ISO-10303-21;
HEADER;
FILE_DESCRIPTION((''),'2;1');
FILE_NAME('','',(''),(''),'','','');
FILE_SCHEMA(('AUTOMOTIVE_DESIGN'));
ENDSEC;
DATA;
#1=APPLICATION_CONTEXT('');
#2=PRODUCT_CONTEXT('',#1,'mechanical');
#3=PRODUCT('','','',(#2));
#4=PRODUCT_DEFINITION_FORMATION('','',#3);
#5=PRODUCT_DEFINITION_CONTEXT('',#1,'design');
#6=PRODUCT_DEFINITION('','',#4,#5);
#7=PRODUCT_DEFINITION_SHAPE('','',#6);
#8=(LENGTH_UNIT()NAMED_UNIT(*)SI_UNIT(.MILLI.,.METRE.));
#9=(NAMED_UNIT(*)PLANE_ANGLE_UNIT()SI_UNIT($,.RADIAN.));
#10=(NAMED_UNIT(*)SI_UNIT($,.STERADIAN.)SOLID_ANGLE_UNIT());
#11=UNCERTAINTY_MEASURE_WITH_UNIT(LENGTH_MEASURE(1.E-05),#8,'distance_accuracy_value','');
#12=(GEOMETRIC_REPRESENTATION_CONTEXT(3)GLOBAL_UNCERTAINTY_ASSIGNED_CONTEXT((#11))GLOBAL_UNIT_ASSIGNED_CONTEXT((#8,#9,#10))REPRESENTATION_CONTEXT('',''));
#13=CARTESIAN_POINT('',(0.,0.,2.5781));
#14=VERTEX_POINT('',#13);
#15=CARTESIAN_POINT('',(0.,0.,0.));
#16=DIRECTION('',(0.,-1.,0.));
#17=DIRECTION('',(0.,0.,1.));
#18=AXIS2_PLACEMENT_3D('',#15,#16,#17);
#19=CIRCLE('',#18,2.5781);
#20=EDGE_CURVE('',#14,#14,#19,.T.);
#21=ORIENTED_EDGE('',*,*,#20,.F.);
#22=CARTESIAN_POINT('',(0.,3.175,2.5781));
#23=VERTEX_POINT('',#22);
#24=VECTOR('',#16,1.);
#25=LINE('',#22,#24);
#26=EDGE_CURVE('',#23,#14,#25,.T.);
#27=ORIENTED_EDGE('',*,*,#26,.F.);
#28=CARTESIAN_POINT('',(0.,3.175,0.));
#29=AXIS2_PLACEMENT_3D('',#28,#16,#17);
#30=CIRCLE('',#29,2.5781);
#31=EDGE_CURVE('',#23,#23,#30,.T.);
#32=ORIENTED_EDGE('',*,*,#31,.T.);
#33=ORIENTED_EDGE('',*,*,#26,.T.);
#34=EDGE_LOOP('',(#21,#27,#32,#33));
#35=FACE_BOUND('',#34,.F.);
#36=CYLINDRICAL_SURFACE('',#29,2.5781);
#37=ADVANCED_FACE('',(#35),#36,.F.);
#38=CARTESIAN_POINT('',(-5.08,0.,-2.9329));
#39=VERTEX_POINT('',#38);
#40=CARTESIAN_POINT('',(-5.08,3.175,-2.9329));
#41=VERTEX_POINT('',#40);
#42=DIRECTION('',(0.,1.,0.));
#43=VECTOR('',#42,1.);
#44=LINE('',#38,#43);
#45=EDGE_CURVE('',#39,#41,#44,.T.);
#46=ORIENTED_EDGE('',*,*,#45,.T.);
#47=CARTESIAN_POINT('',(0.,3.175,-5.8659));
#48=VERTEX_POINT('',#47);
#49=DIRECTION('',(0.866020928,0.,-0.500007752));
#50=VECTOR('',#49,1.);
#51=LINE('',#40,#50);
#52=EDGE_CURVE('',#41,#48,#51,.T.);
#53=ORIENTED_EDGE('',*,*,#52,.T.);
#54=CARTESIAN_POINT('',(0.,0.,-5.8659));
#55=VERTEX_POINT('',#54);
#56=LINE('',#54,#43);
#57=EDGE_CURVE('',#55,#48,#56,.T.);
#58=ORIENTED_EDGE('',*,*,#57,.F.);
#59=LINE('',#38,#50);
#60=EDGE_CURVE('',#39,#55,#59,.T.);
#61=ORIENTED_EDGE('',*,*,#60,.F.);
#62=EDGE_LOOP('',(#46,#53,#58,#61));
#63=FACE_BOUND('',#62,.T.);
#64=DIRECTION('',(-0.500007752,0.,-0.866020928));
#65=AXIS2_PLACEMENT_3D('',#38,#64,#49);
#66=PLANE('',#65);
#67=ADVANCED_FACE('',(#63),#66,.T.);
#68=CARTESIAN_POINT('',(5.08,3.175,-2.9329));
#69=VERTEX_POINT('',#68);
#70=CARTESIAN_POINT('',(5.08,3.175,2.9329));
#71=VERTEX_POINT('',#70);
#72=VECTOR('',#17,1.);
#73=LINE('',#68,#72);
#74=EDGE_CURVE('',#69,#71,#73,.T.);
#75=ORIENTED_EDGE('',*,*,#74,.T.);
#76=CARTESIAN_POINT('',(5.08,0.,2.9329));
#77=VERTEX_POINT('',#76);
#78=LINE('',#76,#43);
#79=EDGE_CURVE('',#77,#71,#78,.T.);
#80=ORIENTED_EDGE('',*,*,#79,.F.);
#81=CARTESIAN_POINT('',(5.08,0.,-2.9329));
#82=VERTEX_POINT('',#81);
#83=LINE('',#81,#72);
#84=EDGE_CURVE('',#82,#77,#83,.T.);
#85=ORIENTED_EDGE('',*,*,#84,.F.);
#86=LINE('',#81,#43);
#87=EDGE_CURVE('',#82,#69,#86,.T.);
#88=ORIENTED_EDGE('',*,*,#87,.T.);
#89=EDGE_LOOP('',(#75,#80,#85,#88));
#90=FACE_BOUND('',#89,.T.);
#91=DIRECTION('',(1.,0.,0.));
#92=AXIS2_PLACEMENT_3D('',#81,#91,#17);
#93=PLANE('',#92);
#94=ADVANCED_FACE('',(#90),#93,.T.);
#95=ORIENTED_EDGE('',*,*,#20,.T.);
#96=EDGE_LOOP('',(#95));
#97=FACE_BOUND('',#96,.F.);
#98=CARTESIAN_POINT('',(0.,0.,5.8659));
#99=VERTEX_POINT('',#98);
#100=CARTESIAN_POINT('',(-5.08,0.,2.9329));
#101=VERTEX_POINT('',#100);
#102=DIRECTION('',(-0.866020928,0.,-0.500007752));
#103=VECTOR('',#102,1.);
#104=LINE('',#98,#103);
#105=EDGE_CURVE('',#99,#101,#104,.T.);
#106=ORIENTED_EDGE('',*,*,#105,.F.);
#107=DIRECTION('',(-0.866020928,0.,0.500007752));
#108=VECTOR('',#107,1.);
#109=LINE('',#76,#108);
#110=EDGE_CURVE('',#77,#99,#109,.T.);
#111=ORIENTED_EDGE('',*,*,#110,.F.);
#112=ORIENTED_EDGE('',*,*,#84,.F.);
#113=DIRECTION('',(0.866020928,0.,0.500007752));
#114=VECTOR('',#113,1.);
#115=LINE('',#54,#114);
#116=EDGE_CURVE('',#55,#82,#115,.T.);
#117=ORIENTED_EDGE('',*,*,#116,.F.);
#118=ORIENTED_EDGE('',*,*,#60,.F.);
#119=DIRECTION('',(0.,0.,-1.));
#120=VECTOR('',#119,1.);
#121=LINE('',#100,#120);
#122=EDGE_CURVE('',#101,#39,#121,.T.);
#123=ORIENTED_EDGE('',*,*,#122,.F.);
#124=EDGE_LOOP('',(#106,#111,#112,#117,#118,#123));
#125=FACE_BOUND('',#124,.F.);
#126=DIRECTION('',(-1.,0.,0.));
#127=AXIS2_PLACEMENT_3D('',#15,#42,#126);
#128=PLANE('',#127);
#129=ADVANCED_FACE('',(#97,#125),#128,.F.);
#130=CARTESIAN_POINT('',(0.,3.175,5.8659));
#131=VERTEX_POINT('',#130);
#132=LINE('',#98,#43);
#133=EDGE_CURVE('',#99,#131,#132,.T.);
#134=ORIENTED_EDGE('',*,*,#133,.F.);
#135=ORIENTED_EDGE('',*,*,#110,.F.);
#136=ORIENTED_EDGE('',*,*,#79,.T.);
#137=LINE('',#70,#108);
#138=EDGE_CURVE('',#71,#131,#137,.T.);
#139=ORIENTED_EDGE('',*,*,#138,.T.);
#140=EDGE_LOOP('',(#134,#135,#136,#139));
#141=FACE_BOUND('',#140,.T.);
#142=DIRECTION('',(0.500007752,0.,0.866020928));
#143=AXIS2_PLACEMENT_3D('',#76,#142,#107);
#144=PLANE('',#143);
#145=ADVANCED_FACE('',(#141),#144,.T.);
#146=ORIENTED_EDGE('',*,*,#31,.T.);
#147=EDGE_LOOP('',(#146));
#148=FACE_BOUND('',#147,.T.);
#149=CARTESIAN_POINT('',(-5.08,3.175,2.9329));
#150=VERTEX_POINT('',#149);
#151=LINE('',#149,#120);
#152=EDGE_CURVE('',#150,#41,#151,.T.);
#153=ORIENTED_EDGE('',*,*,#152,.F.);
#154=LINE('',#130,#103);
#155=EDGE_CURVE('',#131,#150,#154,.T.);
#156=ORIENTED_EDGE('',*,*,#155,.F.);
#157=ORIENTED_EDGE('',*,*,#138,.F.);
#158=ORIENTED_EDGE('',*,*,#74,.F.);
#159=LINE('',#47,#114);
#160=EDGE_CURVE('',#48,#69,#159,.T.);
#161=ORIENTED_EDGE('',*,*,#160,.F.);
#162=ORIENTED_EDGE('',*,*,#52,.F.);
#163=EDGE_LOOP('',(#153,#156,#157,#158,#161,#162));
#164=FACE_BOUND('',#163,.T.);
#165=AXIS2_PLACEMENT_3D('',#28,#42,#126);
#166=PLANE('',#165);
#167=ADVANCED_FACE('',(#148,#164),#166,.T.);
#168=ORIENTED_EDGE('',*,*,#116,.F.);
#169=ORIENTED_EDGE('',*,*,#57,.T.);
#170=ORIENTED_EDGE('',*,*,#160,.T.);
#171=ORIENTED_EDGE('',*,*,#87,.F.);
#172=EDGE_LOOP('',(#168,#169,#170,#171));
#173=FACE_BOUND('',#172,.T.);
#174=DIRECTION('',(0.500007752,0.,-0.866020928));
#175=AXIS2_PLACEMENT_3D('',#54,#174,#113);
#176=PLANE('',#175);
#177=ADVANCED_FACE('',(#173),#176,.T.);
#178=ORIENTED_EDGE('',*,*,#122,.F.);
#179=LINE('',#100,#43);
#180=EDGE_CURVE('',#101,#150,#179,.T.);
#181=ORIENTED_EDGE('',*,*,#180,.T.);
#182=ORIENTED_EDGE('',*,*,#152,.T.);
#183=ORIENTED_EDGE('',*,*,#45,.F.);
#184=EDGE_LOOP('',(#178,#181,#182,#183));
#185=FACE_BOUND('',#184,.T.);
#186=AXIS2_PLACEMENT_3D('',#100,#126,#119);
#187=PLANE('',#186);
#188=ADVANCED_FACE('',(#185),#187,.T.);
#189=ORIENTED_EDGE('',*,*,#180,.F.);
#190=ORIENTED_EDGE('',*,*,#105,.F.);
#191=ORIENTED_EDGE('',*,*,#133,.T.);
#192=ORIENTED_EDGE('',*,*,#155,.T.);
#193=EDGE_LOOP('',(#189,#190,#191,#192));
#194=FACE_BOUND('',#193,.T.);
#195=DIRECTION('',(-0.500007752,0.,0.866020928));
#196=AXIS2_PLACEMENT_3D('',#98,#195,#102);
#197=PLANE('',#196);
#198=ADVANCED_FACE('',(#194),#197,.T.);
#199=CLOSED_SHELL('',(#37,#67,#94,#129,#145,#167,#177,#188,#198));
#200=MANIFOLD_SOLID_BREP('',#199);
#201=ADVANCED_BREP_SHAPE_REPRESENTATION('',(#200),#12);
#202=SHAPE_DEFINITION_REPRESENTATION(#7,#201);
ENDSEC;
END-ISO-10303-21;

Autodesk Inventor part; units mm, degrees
ref_plane "YZ Plane" through (0, 0, 0) normal (1, 0, 0) x (0, 1, 0)
ref_plane "XZ Plane" through (0, 0, 0) normal (0, 1, 0) x (-1, 0, 0)
ref_plane "XY Plane" through (0, 0, 0) normal (0, 0, 1) x (1, 0, 0)
sketch "Sketch3" plane through (0, 0, 0) normal (0, 1, 0) x (-1, 0, 0)
  line L0 (0, -5.8659) -> (-5.08, -2.9329)
  line L1 (-5.08, -2.9329) -> (-5.08, 2.9329)
  line L2 (-5.08, 2.9329) -> (0, 5.8659)
  line L3 (0, 5.8659) -> (5.08, 2.9329)
  line L4 (5.08, 2.9329) -> (5.08, -2.9329)
  line L5 (5.08, -2.9329) -> (0, -5.8659)
  point P0 (0, 0)
  point P1 (0, 0)
  dimension "d10" = 5.08
extrude "Extrusion2" add sketch "Sketch3" along normal blind 3.175
sketch "Sketch4" plane through (0, 3.175, 0) normal (0, 1, 0) x (1, 0, 0)
  point P0 (0, 0)
  point P1 (0, 0)
hole "Hole2" at (0, 3.175, 0) direction (0, -1, 0) diameter 5.1562 end through all
properties part number "Crossbeam to LS Nut"
